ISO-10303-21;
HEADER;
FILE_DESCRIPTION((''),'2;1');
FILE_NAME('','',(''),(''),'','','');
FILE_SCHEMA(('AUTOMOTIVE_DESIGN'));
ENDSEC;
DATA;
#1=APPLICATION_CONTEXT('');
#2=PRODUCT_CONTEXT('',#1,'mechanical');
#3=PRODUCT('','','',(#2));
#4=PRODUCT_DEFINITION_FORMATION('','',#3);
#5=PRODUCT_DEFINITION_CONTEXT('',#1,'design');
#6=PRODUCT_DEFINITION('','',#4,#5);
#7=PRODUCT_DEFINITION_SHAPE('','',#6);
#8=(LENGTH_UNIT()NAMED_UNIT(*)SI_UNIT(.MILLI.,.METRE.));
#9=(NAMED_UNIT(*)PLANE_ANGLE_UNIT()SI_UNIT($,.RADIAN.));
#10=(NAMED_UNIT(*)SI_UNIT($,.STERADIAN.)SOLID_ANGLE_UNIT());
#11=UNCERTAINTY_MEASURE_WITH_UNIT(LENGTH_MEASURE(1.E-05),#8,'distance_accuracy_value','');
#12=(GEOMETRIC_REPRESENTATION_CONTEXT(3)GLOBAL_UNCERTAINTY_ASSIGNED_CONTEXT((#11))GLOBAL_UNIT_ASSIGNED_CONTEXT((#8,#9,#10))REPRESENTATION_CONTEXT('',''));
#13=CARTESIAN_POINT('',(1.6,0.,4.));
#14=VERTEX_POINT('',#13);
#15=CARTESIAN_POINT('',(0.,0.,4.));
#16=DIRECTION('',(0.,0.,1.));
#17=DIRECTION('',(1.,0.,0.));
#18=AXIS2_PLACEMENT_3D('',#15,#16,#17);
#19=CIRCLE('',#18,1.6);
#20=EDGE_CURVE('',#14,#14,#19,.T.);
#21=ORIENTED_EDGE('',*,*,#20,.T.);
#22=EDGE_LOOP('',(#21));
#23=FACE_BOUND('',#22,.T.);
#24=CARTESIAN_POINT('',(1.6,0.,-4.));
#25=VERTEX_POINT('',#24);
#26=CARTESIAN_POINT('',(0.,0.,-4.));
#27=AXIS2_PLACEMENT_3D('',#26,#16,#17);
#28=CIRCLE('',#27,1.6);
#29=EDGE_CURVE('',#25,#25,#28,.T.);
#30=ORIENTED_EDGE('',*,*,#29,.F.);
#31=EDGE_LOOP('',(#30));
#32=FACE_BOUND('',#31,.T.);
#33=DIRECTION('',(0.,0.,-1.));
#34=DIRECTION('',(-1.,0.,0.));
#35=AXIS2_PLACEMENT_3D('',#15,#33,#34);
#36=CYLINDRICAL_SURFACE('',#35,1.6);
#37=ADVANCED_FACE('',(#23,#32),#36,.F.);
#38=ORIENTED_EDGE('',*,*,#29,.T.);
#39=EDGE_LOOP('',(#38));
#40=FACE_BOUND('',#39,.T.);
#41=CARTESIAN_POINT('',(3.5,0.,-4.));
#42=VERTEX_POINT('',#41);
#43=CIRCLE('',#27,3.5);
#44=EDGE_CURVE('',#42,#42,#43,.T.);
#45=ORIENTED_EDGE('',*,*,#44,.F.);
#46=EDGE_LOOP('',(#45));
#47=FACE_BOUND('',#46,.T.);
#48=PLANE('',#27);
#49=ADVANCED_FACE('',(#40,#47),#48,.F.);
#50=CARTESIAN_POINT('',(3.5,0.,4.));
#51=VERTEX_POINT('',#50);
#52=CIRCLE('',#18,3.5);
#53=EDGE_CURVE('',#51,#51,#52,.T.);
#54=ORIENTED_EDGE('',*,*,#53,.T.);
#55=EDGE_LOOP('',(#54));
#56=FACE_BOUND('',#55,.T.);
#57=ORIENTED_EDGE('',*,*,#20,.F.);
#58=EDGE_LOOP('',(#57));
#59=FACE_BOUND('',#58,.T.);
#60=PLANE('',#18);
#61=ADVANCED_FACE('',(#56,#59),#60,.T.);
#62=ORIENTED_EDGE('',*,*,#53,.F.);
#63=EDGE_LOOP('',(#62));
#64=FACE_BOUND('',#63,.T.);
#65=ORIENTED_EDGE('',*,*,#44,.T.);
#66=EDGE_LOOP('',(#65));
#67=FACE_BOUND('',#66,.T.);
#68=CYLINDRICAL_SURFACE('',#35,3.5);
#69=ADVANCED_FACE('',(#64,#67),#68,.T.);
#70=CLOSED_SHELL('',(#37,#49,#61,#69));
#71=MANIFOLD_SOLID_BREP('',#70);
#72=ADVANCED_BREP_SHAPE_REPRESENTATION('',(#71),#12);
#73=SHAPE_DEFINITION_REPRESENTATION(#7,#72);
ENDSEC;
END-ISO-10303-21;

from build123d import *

# Parameters (mm, degrees)
SKETCH_1_R      = 3.5
SKETCH_1_R_2    = 1.6
EXTRUDE_1_DEPTH = 4


with BuildPart() as part:
    # 草图1 → 凸台-拉伸1 (new body, symmetric)
    with BuildSketch(Plane.XY):
        Circle(SKETCH_1_R)
        Circle(SKETCH_1_R_2, mode=Mode.SUBTRACT)
    extrude(amount=EXTRUDE_1_DEPTH, both=True)


solid = part.part
